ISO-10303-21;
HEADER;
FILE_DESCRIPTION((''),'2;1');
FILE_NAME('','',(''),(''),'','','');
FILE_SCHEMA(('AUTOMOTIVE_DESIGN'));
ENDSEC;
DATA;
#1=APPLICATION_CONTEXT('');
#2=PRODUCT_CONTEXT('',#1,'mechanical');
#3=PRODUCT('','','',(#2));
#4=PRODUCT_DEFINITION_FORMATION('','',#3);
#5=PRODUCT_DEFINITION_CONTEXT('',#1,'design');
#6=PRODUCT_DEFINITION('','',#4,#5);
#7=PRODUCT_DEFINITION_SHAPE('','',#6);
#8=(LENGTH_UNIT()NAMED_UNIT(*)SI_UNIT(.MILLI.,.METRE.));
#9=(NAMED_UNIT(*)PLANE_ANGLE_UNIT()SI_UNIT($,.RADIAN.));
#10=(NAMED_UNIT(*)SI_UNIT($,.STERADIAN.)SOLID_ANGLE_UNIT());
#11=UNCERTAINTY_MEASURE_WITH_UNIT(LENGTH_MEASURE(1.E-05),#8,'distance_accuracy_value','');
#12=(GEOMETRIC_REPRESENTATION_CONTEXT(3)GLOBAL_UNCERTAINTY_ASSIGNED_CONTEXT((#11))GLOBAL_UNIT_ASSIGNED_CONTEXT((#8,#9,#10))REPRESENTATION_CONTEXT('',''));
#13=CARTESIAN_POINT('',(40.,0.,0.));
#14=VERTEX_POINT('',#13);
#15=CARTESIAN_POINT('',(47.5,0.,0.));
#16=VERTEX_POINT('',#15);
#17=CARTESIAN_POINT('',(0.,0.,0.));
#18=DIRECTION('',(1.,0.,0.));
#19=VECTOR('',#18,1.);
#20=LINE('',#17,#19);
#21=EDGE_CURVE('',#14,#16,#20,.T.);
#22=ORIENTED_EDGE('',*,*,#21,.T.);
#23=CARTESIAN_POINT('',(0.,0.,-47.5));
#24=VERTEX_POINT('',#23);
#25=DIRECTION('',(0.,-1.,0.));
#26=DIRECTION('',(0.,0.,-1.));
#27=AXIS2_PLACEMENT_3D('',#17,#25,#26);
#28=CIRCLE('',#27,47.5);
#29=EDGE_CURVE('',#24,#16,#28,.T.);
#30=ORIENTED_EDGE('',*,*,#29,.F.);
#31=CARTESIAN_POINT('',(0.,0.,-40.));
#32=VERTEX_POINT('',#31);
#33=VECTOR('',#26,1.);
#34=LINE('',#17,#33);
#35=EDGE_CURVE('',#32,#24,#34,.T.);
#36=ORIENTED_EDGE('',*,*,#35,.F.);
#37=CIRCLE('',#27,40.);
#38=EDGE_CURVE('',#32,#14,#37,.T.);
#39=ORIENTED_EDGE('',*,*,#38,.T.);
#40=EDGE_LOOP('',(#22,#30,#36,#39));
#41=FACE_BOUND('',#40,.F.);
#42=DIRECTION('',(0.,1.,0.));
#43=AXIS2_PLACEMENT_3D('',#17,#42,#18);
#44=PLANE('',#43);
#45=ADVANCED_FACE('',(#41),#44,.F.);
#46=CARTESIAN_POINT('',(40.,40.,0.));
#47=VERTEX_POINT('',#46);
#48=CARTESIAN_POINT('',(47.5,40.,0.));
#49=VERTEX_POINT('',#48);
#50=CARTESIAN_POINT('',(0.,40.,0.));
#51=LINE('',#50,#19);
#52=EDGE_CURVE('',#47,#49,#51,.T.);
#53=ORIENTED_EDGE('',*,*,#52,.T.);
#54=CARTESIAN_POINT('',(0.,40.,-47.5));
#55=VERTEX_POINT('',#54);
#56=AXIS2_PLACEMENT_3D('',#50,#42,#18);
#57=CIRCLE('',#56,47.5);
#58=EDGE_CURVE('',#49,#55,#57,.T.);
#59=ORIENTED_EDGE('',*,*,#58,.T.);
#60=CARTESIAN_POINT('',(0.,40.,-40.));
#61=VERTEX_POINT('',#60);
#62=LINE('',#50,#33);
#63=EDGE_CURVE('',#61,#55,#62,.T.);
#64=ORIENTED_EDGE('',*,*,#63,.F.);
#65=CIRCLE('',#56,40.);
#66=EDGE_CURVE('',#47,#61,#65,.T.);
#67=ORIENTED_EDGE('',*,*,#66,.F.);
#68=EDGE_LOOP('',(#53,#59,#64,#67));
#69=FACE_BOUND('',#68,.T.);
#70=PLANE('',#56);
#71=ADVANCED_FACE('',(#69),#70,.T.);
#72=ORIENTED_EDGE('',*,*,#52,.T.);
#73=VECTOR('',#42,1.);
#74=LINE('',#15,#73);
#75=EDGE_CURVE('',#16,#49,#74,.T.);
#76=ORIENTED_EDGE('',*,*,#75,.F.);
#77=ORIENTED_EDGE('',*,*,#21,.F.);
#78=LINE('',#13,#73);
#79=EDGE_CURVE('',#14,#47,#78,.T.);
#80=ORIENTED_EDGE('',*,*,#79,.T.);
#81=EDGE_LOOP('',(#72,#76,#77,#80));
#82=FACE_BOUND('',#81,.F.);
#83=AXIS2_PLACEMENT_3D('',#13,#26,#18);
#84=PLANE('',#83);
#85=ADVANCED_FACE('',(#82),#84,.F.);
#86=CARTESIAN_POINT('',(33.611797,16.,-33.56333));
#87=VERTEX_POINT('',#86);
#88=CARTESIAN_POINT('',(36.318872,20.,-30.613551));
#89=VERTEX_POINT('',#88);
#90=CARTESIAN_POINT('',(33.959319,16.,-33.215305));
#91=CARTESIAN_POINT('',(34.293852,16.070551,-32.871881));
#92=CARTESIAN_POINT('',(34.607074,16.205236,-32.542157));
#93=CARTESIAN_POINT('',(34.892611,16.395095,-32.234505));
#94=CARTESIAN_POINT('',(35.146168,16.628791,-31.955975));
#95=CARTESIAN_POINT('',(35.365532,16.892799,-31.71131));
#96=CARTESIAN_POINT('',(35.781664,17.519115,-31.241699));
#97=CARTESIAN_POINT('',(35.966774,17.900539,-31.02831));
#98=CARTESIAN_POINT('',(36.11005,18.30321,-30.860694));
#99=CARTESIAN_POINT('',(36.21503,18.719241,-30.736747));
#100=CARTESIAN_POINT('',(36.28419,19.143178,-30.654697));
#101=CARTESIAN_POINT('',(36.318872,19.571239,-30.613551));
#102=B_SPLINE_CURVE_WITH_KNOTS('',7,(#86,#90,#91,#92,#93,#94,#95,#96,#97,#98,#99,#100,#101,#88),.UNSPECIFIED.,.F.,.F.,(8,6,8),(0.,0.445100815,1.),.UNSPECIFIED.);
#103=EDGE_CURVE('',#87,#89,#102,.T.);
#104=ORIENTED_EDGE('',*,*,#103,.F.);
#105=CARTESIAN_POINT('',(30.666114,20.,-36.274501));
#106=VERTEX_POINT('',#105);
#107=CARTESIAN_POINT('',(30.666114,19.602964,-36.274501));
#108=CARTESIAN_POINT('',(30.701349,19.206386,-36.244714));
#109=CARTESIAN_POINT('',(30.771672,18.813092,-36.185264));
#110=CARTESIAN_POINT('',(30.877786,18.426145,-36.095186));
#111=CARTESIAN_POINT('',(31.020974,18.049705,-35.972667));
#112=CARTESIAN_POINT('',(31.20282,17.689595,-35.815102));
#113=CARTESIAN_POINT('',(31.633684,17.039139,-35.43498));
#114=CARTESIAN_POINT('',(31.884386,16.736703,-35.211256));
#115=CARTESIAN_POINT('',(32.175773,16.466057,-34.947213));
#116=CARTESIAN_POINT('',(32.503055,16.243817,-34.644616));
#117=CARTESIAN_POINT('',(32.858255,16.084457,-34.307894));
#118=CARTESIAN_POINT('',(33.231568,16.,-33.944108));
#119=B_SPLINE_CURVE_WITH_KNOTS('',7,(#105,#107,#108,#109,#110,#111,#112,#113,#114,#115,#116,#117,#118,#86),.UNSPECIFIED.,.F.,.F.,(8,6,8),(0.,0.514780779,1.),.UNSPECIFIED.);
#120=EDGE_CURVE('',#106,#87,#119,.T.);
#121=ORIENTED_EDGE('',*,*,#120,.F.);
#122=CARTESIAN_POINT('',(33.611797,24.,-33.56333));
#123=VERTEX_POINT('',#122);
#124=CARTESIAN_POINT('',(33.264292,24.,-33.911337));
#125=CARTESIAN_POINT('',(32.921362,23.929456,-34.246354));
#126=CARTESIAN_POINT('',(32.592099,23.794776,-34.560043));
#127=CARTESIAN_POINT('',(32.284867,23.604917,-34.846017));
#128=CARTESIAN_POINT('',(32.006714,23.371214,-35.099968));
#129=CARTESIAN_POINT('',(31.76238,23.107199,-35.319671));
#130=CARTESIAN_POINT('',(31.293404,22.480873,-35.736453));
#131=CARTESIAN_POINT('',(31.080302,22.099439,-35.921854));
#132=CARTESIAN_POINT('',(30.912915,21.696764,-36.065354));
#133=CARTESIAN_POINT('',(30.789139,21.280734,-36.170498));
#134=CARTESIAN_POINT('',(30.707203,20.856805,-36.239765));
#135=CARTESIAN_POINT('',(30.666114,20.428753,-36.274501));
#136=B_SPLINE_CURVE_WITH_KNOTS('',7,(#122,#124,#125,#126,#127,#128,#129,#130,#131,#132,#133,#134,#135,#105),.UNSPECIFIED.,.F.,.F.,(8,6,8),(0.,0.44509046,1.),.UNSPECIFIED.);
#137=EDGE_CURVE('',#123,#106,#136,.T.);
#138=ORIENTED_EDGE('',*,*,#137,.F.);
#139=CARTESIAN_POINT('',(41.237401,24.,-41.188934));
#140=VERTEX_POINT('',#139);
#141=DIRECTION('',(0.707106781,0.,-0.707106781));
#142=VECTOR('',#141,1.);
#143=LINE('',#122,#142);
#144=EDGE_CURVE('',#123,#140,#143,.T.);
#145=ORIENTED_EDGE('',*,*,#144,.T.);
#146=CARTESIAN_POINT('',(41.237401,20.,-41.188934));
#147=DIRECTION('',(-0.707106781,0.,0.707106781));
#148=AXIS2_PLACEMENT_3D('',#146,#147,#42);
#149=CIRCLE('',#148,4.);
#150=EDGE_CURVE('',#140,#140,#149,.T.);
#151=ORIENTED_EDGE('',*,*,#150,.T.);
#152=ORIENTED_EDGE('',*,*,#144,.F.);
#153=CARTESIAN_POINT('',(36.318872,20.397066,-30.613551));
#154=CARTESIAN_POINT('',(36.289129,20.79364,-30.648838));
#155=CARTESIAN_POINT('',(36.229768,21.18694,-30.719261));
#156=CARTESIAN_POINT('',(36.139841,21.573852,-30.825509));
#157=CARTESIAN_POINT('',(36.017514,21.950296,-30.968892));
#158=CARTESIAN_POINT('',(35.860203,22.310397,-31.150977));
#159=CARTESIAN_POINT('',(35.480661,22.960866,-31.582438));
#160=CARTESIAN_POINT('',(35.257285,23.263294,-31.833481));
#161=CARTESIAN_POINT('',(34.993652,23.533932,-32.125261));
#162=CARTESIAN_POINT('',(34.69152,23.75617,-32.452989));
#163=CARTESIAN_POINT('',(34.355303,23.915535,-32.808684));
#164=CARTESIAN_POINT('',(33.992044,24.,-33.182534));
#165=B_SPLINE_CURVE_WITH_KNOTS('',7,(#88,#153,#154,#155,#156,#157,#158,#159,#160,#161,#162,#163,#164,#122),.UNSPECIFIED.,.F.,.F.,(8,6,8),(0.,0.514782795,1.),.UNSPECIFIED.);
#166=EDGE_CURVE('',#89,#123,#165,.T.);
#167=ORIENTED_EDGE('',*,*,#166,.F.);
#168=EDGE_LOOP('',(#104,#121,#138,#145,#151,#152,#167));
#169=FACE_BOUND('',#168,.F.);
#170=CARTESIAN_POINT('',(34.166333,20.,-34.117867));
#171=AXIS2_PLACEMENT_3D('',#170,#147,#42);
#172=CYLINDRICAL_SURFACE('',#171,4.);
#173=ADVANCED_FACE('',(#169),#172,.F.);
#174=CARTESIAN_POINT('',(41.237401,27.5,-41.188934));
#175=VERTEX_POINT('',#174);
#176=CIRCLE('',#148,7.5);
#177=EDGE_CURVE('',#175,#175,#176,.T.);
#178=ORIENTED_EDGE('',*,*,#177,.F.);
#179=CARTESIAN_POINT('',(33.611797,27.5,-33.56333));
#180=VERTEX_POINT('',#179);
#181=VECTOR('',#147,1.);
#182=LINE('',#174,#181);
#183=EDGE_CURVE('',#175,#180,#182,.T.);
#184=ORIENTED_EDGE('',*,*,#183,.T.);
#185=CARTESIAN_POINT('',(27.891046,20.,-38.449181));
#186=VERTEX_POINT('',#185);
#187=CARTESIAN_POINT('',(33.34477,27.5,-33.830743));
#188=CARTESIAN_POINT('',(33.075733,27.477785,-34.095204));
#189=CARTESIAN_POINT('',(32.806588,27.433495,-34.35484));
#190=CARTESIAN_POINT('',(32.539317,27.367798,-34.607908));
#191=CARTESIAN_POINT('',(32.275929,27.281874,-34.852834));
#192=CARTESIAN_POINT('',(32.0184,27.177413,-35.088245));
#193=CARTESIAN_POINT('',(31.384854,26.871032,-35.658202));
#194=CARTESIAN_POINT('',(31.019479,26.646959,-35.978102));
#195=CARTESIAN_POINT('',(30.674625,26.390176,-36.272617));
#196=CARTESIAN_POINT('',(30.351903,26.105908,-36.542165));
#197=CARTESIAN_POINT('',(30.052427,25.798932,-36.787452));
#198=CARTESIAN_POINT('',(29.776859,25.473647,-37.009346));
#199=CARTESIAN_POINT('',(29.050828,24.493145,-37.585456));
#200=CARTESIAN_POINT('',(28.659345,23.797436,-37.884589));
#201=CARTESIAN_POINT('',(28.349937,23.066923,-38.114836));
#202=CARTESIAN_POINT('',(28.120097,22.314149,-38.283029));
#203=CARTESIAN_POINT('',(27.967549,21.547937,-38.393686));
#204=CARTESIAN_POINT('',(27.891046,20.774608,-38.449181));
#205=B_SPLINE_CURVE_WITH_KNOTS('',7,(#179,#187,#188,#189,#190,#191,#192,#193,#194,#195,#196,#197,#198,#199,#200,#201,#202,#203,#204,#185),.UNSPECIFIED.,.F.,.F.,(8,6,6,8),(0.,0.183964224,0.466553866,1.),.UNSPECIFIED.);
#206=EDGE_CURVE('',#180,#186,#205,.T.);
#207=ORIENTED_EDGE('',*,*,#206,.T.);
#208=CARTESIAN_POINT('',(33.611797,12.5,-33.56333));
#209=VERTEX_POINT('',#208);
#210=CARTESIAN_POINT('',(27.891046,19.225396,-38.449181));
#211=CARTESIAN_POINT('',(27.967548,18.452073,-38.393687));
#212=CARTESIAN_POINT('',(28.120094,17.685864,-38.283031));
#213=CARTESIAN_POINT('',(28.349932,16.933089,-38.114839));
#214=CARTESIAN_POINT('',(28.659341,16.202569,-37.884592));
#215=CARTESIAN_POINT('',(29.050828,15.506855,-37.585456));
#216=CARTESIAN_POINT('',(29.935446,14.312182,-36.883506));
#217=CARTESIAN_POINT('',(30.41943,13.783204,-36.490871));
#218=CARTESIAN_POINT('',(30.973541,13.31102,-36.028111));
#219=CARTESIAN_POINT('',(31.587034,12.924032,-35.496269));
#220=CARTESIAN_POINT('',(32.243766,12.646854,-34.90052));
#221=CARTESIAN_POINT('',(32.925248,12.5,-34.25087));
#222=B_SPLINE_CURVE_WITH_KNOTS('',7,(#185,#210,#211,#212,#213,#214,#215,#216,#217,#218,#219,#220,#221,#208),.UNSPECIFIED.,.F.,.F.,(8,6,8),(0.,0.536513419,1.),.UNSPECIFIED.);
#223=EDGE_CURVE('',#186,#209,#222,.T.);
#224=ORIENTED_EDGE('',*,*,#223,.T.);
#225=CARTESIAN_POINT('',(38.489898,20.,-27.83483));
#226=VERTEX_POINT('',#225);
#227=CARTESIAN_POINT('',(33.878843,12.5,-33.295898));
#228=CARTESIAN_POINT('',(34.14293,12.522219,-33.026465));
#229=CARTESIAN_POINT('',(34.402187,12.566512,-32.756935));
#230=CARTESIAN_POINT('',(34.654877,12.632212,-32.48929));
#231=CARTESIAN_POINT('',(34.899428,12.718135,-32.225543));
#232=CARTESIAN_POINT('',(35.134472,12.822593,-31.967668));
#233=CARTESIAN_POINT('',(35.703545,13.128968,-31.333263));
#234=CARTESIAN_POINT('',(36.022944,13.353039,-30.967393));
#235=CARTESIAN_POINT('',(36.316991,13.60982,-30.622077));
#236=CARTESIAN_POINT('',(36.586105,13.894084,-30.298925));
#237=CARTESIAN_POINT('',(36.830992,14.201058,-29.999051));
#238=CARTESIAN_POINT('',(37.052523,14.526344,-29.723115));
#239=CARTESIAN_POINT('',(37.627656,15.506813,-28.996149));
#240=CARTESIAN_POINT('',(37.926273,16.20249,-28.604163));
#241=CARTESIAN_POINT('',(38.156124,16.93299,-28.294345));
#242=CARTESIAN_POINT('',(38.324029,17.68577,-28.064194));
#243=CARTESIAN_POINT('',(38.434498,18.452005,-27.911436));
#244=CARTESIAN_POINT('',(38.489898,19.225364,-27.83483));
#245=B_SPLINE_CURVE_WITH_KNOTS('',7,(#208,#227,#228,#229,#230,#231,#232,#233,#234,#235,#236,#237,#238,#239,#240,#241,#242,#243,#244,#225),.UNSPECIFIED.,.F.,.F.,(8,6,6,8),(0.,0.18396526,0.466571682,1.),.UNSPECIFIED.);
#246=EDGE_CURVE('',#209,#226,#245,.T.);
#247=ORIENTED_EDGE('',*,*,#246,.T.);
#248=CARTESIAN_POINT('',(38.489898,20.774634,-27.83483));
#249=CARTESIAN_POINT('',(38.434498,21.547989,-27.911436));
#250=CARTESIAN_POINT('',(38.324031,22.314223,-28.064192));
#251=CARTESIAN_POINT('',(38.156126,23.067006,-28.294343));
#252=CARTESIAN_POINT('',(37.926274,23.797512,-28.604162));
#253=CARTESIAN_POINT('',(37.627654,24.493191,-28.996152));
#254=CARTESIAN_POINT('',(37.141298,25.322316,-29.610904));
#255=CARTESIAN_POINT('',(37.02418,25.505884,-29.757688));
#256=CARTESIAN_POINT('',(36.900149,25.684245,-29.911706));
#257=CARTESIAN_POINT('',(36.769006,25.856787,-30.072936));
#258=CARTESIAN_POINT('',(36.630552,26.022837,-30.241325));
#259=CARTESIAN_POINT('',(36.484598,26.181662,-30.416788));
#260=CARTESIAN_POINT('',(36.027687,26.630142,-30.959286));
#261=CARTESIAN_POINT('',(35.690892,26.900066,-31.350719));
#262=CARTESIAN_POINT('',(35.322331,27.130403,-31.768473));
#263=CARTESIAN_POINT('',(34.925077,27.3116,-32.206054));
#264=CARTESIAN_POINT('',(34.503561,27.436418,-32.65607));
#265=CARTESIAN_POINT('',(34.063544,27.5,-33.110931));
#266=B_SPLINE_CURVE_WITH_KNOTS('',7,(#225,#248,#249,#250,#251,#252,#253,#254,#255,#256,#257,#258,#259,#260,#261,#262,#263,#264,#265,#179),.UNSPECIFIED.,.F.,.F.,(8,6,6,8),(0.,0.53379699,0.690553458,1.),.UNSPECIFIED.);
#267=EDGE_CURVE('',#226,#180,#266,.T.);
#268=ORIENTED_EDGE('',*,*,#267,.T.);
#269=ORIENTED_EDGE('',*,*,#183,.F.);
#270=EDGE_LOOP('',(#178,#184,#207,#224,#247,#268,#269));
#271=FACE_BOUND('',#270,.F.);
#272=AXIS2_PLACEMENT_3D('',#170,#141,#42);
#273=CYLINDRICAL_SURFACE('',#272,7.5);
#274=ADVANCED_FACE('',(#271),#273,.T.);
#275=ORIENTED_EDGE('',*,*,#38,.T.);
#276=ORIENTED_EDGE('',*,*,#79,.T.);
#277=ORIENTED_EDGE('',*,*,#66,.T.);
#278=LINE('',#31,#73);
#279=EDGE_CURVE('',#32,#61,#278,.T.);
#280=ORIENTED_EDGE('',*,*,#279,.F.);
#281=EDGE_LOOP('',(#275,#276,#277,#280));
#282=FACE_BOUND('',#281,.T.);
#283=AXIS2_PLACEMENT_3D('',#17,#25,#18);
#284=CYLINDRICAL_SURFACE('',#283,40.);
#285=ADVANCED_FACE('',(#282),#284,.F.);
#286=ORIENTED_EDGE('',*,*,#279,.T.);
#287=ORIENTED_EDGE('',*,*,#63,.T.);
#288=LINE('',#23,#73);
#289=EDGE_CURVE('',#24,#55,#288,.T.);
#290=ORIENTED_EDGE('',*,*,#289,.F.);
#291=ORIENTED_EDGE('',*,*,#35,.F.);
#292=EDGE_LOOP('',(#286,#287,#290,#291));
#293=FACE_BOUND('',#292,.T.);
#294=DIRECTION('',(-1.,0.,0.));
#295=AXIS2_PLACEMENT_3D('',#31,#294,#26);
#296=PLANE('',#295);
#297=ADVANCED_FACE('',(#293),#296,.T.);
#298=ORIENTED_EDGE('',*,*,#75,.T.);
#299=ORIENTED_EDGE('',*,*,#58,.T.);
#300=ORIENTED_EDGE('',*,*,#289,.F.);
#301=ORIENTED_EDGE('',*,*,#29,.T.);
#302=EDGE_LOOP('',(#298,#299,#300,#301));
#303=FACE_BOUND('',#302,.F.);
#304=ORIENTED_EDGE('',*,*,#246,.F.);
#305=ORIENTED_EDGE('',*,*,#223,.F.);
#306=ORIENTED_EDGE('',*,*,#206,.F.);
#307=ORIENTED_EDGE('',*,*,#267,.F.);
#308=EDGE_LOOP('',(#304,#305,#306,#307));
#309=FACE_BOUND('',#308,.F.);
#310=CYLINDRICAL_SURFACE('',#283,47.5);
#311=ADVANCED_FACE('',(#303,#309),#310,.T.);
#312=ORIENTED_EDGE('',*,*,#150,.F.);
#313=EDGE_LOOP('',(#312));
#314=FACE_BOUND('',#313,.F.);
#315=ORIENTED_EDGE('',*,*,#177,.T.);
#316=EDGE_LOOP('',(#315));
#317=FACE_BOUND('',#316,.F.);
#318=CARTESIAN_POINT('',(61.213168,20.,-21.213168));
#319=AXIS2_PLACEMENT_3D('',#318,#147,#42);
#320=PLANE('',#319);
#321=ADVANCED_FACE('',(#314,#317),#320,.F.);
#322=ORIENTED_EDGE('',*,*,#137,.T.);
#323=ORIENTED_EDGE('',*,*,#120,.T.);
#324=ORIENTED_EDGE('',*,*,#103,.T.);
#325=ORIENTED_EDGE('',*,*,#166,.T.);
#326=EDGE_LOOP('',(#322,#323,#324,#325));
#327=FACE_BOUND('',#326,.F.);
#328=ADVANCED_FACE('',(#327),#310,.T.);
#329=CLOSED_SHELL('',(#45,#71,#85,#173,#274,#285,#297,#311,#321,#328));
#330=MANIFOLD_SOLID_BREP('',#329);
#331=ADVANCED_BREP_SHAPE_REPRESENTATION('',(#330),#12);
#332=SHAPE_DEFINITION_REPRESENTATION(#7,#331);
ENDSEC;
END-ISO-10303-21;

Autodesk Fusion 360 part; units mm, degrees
sketch "Sketch1" plane through (0, 0, 0) normal (0, 1, 0) x (1, 0, 0)
  circle A0 centre (0, 0) radius 40
  circle A1 centre (0, 0) radius 47.5
  line L0 (0, 0) -> (47.5, 0)
  line L1 (0, 0) -> (-47.5, 0)
  line L2 (0, 0) -> (0, -47.5)
  line L3 (0, 0) -> (0, 47.5)
  line L4 (0, 0) -> (33.5876, 33.5876)
  dimension "d1" = 80
  dimension "d2" = 95
  dimension "d8" = 45
extrude "Extrude1" add sketch "Sketch1" along normal blind 40 contours A0 A1 L0 L4 | A0 A1 L3 L4
ref_plane "WorkPlane1" through (40, 20, 0) normal (-0.7071, 0, 0.7071) x (0, 1, 0)
ref_plane "WorkPlane2" through (54.1421, 20, -14.1421) normal (-0.7071, 0, 0.7071) x (0, 1, 0)
sketch "Sketch2" plane through (54.1421, 20, -14.1421) normal (-0.7071, 0, 0.7071) x (0, 1, 0)
  line L0 (-20.97, 28.25) -> (19, 28.25)
  line L1 (0, 0) -> (0, 55)
  circle A0 centre (0, 28.25) radius 4
  circle A1 centre (0, 28.25) radius 7.5
  dimension "d9" = 8
  dimension "d10" = 15
extrude "Extrude2" add sketch "Sketch2" along normal blind 2 and the other way blind 10 contours L0 L1 A0 A1 | L0 L1 A0 A1 | L0 L1 A0 A1 | L0 L1 A0 A1
